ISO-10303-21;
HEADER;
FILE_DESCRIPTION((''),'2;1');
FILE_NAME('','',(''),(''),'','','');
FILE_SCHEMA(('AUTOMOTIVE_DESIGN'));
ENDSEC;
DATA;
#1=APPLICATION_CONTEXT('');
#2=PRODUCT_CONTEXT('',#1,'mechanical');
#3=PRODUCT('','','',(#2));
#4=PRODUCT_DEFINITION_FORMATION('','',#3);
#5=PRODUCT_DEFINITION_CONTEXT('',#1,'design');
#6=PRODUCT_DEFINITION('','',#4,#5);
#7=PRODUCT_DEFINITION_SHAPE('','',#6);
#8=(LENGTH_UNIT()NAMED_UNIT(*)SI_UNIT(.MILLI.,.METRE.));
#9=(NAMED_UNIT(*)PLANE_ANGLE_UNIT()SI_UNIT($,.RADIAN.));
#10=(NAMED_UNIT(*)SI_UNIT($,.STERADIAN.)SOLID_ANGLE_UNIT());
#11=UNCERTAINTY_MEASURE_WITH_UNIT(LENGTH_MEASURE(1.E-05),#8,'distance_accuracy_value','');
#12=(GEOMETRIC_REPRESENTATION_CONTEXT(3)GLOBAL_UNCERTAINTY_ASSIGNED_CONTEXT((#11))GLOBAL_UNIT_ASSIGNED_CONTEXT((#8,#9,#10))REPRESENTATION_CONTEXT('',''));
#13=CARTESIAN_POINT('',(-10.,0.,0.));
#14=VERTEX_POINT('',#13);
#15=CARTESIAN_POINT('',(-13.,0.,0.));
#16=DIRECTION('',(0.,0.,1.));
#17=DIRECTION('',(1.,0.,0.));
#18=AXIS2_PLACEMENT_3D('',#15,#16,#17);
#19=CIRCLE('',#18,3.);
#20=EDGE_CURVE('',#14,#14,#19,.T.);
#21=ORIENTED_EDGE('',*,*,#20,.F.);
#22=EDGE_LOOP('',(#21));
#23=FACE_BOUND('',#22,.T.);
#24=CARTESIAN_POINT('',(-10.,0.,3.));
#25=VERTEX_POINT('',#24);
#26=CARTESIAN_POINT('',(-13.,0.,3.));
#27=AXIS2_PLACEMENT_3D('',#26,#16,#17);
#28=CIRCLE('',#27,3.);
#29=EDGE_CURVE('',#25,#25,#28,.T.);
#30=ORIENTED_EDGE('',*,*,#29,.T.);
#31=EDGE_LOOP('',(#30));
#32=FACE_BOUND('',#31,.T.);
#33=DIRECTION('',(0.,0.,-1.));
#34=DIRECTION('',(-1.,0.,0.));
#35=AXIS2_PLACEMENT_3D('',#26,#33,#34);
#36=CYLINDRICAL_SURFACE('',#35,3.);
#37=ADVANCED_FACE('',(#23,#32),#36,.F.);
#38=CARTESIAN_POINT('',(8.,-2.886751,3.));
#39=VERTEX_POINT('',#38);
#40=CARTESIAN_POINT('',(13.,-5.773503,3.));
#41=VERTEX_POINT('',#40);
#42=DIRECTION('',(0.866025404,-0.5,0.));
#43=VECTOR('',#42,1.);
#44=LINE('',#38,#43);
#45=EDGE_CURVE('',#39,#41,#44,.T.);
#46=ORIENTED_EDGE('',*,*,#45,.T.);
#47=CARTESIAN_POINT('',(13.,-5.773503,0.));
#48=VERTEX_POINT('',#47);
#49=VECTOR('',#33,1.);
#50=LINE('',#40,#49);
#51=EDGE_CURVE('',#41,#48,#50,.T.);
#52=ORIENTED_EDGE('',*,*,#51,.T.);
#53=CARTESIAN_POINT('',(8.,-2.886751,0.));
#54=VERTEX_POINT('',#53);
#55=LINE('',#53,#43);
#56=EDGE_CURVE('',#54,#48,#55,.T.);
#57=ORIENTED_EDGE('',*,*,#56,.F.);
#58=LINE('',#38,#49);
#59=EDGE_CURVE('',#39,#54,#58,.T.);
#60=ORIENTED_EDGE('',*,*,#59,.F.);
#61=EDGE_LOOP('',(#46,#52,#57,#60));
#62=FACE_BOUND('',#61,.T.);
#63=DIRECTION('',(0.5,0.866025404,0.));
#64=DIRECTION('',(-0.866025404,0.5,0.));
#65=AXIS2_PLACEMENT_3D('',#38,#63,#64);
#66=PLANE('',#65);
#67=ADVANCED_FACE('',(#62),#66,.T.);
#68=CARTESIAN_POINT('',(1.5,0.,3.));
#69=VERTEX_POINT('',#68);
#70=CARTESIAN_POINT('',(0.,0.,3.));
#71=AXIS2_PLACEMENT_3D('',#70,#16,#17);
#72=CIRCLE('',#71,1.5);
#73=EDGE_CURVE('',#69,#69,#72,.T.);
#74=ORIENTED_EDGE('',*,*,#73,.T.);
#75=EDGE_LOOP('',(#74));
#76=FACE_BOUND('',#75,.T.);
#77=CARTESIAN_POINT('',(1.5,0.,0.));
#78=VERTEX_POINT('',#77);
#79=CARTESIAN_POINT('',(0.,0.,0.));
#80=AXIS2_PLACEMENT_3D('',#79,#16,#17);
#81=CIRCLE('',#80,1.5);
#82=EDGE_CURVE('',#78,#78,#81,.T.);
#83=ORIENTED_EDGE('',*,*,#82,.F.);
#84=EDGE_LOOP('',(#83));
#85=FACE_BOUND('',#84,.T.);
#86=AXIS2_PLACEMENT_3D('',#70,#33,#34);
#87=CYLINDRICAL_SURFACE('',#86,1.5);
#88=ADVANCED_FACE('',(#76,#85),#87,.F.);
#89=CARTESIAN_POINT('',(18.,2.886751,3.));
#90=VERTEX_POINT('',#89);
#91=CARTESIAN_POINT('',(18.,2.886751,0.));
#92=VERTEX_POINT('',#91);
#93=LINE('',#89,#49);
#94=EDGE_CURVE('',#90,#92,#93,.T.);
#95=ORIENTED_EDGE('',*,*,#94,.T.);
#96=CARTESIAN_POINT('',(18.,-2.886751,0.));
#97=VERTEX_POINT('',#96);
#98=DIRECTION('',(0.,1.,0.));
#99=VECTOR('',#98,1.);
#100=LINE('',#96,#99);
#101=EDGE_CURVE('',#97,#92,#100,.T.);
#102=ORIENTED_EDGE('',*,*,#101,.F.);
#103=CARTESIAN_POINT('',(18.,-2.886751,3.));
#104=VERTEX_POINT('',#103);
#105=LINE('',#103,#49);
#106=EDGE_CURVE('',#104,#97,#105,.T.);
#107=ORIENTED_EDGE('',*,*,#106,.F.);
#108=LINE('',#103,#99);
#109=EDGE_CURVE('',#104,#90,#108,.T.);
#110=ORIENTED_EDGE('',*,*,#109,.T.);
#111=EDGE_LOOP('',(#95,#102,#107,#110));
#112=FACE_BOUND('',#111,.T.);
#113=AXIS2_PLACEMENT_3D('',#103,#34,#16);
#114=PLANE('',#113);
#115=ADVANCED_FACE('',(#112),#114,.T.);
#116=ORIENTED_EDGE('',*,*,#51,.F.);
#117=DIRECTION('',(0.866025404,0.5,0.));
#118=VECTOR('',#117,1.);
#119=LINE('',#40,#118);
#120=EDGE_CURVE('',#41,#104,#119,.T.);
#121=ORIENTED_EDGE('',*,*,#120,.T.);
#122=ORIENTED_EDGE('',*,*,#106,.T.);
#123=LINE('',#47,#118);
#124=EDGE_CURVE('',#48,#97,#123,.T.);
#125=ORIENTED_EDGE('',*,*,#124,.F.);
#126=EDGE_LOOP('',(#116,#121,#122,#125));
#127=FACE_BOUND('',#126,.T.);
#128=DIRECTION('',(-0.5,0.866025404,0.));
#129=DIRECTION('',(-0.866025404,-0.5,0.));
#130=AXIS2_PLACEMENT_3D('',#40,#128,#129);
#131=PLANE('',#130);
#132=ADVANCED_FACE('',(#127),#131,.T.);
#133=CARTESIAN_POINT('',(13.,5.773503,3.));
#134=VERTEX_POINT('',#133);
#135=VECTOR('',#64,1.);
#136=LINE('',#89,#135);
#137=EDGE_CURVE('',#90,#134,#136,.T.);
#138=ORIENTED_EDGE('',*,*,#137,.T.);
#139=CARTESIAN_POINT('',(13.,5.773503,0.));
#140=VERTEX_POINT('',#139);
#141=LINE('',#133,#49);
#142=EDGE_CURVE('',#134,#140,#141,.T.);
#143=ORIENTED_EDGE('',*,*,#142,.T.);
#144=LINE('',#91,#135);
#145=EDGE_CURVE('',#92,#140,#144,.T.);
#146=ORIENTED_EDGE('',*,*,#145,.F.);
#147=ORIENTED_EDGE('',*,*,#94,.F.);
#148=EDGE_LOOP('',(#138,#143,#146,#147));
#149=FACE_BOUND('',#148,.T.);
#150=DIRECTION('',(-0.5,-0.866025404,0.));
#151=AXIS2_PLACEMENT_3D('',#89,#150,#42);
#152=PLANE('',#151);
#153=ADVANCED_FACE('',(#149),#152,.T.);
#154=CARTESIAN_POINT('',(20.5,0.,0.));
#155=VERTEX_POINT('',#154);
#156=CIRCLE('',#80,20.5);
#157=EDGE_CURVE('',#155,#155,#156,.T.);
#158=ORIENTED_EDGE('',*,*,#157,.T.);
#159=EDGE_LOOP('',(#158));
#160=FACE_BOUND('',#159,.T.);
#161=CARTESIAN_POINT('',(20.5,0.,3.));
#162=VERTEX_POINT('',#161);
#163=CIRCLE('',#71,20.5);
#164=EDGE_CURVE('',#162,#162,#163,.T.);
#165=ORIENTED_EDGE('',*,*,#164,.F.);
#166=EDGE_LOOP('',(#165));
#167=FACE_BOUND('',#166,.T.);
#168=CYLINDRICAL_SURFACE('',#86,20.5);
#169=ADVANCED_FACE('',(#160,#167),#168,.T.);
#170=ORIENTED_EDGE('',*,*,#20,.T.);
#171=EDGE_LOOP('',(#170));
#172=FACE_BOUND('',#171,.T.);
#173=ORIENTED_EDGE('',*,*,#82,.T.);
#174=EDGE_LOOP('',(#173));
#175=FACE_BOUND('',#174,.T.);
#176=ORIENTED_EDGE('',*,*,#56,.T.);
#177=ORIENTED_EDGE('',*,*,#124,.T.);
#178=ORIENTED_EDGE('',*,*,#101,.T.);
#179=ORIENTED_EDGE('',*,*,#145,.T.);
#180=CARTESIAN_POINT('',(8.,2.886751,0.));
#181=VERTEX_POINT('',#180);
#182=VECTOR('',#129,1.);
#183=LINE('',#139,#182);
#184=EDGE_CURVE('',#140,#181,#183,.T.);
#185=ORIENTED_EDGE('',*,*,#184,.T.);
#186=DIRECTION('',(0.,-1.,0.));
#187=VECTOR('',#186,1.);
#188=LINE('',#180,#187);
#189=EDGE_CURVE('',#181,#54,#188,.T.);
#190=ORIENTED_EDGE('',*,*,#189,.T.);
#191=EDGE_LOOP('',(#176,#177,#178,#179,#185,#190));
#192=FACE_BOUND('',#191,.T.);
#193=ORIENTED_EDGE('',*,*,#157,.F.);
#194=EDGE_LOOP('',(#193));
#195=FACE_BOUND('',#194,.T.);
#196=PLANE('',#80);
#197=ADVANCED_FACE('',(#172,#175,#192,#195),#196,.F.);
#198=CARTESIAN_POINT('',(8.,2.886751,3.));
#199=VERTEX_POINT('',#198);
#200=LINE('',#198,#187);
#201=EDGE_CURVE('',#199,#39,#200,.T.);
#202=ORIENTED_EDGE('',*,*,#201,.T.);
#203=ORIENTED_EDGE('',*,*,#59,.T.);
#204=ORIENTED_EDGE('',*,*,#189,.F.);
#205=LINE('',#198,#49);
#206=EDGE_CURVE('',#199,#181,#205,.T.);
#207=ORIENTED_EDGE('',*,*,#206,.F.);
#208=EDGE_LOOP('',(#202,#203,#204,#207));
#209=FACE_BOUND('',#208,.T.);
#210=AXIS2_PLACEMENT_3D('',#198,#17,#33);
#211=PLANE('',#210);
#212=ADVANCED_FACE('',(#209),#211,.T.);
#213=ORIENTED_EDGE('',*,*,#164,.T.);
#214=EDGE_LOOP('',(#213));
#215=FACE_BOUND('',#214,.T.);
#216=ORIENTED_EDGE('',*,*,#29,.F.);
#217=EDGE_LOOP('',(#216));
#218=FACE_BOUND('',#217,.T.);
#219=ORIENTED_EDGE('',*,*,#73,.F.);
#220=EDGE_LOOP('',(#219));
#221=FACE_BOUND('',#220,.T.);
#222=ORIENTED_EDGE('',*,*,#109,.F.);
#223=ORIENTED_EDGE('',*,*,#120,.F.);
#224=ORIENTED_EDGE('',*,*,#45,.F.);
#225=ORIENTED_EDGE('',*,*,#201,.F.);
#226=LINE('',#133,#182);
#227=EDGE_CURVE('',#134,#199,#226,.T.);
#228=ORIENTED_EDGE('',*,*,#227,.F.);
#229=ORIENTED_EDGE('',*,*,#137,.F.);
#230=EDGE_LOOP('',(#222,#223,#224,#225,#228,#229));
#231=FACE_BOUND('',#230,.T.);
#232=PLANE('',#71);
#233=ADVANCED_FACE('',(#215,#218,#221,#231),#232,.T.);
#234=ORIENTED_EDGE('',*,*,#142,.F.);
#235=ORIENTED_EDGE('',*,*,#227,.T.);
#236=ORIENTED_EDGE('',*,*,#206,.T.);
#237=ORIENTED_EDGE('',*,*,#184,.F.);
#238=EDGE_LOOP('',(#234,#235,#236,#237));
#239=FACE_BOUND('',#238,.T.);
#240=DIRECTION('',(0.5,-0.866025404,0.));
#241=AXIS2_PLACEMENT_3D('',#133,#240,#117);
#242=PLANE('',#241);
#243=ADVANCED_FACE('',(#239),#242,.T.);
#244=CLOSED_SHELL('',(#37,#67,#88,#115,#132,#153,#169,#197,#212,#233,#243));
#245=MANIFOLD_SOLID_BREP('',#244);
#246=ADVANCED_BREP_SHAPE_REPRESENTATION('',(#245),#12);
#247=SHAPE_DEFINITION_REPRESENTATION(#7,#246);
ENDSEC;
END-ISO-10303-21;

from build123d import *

# Parameters (mm, degrees)
SKETCH1_R           = 20.5
SKETCH1_R_2         = 3
SKETCH1_R_3         = 1.5
BOSS_EXTRUDE1_DEPTH = 3


with BuildPart() as part:
    # Sketch1 → Boss-Extrude1 (new body)
    with BuildSketch(Plane.XY):
        Circle(SKETCH1_R)
        with Locations((-13, 0)):
            Circle(SKETCH1_R_2, mode=Mode.SUBTRACT)
        Circle(SKETCH1_R_3, mode=Mode.SUBTRACT)
        Polygon((18, 2.886751346), (13, 5.773502692), (8, 2.886751346), (8, -2.886751346), (13, -5.773502692), (18, -2.886751346), align=None, mode=Mode.SUBTRACT)
    extrude(amount=BOSS_EXTRUDE1_DEPTH)


solid = part.part
